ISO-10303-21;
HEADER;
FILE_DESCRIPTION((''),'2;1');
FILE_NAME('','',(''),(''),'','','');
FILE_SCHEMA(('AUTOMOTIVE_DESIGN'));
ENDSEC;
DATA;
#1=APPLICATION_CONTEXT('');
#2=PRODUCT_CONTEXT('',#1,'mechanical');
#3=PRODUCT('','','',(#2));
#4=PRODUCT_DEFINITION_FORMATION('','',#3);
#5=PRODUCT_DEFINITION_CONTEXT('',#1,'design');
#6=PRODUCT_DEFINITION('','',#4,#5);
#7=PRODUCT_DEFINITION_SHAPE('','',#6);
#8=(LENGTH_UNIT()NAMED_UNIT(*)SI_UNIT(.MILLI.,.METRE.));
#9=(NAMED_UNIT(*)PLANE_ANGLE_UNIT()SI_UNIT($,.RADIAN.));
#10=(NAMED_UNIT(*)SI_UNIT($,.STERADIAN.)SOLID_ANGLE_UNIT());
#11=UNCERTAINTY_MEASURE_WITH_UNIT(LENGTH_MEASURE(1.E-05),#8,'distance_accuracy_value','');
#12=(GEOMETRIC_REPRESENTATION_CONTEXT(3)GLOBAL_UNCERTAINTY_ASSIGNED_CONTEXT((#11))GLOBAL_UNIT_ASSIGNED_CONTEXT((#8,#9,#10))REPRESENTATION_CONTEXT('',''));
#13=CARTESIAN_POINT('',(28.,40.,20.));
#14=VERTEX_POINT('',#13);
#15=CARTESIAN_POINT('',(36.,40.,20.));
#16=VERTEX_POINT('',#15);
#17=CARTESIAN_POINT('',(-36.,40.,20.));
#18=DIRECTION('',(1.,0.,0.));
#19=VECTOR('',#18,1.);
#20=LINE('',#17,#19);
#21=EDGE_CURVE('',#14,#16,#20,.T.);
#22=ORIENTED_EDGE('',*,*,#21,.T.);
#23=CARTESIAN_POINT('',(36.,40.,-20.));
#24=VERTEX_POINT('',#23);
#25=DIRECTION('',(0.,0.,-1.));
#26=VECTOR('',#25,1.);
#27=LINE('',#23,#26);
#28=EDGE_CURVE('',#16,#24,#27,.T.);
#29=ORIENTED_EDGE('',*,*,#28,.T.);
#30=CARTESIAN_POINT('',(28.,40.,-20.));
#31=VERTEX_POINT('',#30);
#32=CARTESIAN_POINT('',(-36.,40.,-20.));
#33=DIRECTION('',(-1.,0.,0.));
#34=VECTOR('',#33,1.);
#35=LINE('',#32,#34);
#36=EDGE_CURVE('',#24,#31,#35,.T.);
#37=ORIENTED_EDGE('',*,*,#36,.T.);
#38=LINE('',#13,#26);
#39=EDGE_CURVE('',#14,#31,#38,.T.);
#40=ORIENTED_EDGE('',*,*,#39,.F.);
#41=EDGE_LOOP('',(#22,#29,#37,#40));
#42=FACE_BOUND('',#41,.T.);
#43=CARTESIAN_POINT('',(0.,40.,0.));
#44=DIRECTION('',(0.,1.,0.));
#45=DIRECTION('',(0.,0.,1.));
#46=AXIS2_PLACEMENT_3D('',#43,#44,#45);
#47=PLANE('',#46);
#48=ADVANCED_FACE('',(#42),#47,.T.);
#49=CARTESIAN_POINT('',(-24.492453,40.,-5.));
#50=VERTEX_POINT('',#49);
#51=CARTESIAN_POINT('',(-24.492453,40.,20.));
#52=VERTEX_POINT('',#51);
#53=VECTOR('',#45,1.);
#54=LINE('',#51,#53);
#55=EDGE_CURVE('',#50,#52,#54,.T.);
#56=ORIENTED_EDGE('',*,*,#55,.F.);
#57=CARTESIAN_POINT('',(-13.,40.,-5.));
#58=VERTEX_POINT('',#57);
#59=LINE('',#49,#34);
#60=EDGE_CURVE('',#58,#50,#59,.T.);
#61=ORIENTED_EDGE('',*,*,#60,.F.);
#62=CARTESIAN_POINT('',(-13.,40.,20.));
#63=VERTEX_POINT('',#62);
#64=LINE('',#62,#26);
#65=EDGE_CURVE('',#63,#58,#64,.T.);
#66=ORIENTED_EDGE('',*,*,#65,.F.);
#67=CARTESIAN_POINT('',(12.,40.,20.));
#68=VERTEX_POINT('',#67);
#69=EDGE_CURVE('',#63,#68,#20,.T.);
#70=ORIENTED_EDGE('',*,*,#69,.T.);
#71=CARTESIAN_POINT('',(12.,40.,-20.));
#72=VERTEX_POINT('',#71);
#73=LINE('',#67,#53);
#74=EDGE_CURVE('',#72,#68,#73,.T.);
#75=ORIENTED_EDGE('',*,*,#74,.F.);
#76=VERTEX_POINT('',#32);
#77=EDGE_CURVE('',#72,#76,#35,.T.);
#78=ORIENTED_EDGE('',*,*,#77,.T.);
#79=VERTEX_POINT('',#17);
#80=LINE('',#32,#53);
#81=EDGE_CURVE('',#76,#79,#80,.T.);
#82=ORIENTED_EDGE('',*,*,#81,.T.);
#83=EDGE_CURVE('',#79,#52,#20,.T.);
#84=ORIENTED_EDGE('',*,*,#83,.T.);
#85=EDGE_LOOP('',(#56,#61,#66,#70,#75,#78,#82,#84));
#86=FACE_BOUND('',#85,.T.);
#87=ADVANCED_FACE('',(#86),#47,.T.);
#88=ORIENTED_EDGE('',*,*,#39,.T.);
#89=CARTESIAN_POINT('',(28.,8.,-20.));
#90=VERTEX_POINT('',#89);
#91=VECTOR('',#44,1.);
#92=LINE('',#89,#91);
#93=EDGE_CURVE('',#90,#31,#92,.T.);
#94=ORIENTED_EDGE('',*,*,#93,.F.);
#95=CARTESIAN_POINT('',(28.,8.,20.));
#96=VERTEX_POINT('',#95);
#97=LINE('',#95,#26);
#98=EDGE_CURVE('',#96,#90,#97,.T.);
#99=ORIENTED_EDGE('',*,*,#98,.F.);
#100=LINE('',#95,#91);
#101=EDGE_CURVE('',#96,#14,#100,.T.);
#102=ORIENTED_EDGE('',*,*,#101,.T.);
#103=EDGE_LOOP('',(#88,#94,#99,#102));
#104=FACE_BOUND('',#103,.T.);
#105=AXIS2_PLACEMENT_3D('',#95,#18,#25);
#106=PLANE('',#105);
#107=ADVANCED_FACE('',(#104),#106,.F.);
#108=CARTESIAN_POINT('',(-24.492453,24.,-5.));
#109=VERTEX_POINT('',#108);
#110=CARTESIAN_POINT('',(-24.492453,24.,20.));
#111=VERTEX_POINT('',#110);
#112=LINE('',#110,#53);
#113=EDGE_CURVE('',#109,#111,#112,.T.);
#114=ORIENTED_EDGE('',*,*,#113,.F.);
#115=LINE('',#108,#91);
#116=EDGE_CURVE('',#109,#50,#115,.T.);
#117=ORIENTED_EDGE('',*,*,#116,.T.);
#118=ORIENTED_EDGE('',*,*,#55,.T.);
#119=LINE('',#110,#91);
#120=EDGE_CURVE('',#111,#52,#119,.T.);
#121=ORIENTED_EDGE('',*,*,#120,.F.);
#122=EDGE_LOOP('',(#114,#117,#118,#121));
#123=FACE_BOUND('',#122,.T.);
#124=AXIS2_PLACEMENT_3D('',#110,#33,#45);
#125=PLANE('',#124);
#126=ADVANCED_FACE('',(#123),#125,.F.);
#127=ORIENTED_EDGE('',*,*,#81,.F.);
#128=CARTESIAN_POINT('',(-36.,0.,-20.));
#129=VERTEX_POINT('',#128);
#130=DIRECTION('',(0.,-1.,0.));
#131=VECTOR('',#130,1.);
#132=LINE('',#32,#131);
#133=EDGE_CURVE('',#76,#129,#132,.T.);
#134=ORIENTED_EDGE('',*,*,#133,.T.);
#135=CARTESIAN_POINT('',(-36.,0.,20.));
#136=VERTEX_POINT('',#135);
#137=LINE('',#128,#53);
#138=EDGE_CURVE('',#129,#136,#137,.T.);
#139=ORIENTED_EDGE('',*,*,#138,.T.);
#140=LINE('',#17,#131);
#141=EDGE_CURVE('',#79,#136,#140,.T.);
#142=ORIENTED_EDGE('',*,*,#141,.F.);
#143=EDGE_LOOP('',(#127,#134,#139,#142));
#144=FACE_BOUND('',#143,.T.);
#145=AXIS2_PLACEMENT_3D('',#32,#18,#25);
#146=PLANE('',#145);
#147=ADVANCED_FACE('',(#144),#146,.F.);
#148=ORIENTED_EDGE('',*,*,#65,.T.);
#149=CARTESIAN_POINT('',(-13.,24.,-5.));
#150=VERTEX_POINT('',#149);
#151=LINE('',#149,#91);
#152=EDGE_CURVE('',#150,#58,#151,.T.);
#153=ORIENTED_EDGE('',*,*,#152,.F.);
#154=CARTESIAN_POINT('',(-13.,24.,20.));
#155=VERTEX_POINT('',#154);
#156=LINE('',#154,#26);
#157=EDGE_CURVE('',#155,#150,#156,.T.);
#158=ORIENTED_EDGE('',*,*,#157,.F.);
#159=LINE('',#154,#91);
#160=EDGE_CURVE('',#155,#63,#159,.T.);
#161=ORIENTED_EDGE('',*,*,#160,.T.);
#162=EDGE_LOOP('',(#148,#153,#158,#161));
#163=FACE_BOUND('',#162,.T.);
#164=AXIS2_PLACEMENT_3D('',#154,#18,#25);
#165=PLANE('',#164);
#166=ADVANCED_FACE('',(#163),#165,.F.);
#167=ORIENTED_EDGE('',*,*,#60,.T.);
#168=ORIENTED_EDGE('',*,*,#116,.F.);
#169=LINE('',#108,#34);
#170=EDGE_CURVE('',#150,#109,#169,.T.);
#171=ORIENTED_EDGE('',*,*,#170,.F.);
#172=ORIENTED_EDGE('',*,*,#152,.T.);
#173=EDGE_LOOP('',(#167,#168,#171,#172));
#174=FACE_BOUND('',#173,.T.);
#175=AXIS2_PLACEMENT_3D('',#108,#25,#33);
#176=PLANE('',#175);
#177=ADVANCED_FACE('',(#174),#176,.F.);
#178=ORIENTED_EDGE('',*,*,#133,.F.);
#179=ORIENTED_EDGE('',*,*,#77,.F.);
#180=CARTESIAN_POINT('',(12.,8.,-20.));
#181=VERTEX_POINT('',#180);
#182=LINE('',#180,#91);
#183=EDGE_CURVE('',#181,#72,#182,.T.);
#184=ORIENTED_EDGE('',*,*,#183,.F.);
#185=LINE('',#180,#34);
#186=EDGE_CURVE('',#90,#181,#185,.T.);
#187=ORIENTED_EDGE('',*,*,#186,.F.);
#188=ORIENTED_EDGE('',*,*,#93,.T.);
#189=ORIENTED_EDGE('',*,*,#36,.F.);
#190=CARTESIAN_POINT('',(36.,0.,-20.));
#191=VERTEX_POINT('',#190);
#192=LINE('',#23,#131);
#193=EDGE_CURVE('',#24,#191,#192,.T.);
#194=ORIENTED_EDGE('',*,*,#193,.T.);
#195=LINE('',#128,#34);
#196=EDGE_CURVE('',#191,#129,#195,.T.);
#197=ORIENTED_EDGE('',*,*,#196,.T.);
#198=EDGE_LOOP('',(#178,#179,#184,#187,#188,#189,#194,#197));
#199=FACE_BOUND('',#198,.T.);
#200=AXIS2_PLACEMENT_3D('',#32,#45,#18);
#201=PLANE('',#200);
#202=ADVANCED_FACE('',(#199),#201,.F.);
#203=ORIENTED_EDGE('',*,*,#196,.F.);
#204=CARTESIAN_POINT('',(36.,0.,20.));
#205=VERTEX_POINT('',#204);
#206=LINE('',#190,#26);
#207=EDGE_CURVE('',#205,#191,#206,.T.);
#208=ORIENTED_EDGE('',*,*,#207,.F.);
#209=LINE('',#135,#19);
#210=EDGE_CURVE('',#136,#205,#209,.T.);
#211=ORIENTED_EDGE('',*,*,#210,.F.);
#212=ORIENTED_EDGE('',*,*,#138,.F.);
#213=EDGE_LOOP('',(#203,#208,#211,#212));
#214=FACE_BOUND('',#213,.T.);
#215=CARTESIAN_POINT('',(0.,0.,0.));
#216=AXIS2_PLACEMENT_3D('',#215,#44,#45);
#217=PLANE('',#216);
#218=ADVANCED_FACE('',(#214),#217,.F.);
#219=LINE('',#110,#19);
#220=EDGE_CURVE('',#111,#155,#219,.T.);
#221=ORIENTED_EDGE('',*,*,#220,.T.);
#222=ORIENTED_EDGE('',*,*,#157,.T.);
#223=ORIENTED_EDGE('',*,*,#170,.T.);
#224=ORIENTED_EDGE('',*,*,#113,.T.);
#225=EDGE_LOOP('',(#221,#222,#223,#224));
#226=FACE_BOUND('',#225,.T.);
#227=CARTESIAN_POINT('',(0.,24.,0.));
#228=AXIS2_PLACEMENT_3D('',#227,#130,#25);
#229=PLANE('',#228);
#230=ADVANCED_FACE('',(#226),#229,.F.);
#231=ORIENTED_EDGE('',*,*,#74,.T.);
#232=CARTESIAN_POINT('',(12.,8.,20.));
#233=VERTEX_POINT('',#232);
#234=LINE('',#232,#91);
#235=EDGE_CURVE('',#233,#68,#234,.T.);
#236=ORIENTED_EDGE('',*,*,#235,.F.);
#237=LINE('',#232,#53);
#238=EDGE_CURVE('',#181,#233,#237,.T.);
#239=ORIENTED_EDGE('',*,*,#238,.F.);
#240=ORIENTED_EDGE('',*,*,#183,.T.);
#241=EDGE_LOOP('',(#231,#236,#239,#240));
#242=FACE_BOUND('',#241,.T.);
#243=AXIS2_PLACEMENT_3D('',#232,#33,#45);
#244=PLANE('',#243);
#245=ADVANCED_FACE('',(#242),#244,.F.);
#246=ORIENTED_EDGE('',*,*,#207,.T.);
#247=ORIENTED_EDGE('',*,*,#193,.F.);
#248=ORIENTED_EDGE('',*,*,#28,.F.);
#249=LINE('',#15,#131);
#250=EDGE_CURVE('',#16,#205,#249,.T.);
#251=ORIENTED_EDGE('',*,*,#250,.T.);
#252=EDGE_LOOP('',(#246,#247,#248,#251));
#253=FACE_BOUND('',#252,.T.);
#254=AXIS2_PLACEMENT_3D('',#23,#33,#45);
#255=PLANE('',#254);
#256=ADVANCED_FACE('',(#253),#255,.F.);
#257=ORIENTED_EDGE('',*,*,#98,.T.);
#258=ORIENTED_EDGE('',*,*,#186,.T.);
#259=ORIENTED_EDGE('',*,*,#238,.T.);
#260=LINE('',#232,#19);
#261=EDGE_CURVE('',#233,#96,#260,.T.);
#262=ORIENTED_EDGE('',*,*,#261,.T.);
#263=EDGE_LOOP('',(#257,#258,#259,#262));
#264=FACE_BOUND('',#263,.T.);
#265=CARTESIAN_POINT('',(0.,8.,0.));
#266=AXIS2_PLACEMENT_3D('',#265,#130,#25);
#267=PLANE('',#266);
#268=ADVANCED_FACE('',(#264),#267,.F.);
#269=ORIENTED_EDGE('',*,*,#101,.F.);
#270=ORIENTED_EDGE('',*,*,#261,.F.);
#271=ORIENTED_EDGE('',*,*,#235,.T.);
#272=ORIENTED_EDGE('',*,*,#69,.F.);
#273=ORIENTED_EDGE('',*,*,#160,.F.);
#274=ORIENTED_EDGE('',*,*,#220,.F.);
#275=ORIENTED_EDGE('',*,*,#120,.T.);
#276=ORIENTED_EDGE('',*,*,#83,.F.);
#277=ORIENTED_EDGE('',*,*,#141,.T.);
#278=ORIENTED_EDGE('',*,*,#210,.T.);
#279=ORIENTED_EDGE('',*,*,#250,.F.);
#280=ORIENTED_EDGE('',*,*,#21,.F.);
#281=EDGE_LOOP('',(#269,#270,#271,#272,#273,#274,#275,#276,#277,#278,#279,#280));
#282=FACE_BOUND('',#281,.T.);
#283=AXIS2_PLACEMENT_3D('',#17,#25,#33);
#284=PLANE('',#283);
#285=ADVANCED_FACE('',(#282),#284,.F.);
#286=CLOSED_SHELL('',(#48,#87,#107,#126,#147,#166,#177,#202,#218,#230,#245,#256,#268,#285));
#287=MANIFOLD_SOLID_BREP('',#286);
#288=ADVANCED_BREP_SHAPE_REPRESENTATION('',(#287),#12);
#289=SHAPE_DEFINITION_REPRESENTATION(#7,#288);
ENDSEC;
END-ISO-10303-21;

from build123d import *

# Parameters (mm, degrees)
CROQUIS1_W              = 72
CROQUIS1_H              = 40
SALIENTE_EXTRUIR1_DEPTH = 40
CROQUIS5_W              = 16
CROQUIS5_H              = 40
CORTAR_EXTRUIR3_DEPTH   = 32
CROQUIS6_W              = 11.492452947
CROQUIS6_H              = 25
CORTAR_EXTRUIR5_DEPTH   = 16


with BuildPart() as part:
    # Croquis1 → Saliente-Extruir1 (new body)
    with BuildSketch(Plane(origin=(0, 0, 0), x_dir=(1, 0, 0), z_dir=(0, 1, 0))):
        Rectangle(CROQUIS1_W, CROQUIS1_H)
    extrude(amount=SALIENTE_EXTRUIR1_DEPTH)

    # Croquis5 → Cortar-Extruir3 (cut)
    with BuildSketch(Plane(origin=(0, 40, 0), x_dir=(1, 0, 0), z_dir=(0, 1, 0))):
        with Locations((20, 0)):
            Rectangle(CROQUIS5_W, CROQUIS5_H)
    extrude(amount=-CORTAR_EXTRUIR3_DEPTH, mode=Mode.SUBTRACT)

    # Croquis6 → Cortar-Extruir5 (cut)
    with BuildSketch(Plane(origin=(0, 40, 0), x_dir=(1, 0, 0), z_dir=(0, 1, 0))):
        with Locations((-18.746226474, -7.5)):
            Rectangle(CROQUIS6_W, CROQUIS6_H)
    extrude(amount=-CORTAR_EXTRUIR5_DEPTH, mode=Mode.SUBTRACT)


solid = part.part
